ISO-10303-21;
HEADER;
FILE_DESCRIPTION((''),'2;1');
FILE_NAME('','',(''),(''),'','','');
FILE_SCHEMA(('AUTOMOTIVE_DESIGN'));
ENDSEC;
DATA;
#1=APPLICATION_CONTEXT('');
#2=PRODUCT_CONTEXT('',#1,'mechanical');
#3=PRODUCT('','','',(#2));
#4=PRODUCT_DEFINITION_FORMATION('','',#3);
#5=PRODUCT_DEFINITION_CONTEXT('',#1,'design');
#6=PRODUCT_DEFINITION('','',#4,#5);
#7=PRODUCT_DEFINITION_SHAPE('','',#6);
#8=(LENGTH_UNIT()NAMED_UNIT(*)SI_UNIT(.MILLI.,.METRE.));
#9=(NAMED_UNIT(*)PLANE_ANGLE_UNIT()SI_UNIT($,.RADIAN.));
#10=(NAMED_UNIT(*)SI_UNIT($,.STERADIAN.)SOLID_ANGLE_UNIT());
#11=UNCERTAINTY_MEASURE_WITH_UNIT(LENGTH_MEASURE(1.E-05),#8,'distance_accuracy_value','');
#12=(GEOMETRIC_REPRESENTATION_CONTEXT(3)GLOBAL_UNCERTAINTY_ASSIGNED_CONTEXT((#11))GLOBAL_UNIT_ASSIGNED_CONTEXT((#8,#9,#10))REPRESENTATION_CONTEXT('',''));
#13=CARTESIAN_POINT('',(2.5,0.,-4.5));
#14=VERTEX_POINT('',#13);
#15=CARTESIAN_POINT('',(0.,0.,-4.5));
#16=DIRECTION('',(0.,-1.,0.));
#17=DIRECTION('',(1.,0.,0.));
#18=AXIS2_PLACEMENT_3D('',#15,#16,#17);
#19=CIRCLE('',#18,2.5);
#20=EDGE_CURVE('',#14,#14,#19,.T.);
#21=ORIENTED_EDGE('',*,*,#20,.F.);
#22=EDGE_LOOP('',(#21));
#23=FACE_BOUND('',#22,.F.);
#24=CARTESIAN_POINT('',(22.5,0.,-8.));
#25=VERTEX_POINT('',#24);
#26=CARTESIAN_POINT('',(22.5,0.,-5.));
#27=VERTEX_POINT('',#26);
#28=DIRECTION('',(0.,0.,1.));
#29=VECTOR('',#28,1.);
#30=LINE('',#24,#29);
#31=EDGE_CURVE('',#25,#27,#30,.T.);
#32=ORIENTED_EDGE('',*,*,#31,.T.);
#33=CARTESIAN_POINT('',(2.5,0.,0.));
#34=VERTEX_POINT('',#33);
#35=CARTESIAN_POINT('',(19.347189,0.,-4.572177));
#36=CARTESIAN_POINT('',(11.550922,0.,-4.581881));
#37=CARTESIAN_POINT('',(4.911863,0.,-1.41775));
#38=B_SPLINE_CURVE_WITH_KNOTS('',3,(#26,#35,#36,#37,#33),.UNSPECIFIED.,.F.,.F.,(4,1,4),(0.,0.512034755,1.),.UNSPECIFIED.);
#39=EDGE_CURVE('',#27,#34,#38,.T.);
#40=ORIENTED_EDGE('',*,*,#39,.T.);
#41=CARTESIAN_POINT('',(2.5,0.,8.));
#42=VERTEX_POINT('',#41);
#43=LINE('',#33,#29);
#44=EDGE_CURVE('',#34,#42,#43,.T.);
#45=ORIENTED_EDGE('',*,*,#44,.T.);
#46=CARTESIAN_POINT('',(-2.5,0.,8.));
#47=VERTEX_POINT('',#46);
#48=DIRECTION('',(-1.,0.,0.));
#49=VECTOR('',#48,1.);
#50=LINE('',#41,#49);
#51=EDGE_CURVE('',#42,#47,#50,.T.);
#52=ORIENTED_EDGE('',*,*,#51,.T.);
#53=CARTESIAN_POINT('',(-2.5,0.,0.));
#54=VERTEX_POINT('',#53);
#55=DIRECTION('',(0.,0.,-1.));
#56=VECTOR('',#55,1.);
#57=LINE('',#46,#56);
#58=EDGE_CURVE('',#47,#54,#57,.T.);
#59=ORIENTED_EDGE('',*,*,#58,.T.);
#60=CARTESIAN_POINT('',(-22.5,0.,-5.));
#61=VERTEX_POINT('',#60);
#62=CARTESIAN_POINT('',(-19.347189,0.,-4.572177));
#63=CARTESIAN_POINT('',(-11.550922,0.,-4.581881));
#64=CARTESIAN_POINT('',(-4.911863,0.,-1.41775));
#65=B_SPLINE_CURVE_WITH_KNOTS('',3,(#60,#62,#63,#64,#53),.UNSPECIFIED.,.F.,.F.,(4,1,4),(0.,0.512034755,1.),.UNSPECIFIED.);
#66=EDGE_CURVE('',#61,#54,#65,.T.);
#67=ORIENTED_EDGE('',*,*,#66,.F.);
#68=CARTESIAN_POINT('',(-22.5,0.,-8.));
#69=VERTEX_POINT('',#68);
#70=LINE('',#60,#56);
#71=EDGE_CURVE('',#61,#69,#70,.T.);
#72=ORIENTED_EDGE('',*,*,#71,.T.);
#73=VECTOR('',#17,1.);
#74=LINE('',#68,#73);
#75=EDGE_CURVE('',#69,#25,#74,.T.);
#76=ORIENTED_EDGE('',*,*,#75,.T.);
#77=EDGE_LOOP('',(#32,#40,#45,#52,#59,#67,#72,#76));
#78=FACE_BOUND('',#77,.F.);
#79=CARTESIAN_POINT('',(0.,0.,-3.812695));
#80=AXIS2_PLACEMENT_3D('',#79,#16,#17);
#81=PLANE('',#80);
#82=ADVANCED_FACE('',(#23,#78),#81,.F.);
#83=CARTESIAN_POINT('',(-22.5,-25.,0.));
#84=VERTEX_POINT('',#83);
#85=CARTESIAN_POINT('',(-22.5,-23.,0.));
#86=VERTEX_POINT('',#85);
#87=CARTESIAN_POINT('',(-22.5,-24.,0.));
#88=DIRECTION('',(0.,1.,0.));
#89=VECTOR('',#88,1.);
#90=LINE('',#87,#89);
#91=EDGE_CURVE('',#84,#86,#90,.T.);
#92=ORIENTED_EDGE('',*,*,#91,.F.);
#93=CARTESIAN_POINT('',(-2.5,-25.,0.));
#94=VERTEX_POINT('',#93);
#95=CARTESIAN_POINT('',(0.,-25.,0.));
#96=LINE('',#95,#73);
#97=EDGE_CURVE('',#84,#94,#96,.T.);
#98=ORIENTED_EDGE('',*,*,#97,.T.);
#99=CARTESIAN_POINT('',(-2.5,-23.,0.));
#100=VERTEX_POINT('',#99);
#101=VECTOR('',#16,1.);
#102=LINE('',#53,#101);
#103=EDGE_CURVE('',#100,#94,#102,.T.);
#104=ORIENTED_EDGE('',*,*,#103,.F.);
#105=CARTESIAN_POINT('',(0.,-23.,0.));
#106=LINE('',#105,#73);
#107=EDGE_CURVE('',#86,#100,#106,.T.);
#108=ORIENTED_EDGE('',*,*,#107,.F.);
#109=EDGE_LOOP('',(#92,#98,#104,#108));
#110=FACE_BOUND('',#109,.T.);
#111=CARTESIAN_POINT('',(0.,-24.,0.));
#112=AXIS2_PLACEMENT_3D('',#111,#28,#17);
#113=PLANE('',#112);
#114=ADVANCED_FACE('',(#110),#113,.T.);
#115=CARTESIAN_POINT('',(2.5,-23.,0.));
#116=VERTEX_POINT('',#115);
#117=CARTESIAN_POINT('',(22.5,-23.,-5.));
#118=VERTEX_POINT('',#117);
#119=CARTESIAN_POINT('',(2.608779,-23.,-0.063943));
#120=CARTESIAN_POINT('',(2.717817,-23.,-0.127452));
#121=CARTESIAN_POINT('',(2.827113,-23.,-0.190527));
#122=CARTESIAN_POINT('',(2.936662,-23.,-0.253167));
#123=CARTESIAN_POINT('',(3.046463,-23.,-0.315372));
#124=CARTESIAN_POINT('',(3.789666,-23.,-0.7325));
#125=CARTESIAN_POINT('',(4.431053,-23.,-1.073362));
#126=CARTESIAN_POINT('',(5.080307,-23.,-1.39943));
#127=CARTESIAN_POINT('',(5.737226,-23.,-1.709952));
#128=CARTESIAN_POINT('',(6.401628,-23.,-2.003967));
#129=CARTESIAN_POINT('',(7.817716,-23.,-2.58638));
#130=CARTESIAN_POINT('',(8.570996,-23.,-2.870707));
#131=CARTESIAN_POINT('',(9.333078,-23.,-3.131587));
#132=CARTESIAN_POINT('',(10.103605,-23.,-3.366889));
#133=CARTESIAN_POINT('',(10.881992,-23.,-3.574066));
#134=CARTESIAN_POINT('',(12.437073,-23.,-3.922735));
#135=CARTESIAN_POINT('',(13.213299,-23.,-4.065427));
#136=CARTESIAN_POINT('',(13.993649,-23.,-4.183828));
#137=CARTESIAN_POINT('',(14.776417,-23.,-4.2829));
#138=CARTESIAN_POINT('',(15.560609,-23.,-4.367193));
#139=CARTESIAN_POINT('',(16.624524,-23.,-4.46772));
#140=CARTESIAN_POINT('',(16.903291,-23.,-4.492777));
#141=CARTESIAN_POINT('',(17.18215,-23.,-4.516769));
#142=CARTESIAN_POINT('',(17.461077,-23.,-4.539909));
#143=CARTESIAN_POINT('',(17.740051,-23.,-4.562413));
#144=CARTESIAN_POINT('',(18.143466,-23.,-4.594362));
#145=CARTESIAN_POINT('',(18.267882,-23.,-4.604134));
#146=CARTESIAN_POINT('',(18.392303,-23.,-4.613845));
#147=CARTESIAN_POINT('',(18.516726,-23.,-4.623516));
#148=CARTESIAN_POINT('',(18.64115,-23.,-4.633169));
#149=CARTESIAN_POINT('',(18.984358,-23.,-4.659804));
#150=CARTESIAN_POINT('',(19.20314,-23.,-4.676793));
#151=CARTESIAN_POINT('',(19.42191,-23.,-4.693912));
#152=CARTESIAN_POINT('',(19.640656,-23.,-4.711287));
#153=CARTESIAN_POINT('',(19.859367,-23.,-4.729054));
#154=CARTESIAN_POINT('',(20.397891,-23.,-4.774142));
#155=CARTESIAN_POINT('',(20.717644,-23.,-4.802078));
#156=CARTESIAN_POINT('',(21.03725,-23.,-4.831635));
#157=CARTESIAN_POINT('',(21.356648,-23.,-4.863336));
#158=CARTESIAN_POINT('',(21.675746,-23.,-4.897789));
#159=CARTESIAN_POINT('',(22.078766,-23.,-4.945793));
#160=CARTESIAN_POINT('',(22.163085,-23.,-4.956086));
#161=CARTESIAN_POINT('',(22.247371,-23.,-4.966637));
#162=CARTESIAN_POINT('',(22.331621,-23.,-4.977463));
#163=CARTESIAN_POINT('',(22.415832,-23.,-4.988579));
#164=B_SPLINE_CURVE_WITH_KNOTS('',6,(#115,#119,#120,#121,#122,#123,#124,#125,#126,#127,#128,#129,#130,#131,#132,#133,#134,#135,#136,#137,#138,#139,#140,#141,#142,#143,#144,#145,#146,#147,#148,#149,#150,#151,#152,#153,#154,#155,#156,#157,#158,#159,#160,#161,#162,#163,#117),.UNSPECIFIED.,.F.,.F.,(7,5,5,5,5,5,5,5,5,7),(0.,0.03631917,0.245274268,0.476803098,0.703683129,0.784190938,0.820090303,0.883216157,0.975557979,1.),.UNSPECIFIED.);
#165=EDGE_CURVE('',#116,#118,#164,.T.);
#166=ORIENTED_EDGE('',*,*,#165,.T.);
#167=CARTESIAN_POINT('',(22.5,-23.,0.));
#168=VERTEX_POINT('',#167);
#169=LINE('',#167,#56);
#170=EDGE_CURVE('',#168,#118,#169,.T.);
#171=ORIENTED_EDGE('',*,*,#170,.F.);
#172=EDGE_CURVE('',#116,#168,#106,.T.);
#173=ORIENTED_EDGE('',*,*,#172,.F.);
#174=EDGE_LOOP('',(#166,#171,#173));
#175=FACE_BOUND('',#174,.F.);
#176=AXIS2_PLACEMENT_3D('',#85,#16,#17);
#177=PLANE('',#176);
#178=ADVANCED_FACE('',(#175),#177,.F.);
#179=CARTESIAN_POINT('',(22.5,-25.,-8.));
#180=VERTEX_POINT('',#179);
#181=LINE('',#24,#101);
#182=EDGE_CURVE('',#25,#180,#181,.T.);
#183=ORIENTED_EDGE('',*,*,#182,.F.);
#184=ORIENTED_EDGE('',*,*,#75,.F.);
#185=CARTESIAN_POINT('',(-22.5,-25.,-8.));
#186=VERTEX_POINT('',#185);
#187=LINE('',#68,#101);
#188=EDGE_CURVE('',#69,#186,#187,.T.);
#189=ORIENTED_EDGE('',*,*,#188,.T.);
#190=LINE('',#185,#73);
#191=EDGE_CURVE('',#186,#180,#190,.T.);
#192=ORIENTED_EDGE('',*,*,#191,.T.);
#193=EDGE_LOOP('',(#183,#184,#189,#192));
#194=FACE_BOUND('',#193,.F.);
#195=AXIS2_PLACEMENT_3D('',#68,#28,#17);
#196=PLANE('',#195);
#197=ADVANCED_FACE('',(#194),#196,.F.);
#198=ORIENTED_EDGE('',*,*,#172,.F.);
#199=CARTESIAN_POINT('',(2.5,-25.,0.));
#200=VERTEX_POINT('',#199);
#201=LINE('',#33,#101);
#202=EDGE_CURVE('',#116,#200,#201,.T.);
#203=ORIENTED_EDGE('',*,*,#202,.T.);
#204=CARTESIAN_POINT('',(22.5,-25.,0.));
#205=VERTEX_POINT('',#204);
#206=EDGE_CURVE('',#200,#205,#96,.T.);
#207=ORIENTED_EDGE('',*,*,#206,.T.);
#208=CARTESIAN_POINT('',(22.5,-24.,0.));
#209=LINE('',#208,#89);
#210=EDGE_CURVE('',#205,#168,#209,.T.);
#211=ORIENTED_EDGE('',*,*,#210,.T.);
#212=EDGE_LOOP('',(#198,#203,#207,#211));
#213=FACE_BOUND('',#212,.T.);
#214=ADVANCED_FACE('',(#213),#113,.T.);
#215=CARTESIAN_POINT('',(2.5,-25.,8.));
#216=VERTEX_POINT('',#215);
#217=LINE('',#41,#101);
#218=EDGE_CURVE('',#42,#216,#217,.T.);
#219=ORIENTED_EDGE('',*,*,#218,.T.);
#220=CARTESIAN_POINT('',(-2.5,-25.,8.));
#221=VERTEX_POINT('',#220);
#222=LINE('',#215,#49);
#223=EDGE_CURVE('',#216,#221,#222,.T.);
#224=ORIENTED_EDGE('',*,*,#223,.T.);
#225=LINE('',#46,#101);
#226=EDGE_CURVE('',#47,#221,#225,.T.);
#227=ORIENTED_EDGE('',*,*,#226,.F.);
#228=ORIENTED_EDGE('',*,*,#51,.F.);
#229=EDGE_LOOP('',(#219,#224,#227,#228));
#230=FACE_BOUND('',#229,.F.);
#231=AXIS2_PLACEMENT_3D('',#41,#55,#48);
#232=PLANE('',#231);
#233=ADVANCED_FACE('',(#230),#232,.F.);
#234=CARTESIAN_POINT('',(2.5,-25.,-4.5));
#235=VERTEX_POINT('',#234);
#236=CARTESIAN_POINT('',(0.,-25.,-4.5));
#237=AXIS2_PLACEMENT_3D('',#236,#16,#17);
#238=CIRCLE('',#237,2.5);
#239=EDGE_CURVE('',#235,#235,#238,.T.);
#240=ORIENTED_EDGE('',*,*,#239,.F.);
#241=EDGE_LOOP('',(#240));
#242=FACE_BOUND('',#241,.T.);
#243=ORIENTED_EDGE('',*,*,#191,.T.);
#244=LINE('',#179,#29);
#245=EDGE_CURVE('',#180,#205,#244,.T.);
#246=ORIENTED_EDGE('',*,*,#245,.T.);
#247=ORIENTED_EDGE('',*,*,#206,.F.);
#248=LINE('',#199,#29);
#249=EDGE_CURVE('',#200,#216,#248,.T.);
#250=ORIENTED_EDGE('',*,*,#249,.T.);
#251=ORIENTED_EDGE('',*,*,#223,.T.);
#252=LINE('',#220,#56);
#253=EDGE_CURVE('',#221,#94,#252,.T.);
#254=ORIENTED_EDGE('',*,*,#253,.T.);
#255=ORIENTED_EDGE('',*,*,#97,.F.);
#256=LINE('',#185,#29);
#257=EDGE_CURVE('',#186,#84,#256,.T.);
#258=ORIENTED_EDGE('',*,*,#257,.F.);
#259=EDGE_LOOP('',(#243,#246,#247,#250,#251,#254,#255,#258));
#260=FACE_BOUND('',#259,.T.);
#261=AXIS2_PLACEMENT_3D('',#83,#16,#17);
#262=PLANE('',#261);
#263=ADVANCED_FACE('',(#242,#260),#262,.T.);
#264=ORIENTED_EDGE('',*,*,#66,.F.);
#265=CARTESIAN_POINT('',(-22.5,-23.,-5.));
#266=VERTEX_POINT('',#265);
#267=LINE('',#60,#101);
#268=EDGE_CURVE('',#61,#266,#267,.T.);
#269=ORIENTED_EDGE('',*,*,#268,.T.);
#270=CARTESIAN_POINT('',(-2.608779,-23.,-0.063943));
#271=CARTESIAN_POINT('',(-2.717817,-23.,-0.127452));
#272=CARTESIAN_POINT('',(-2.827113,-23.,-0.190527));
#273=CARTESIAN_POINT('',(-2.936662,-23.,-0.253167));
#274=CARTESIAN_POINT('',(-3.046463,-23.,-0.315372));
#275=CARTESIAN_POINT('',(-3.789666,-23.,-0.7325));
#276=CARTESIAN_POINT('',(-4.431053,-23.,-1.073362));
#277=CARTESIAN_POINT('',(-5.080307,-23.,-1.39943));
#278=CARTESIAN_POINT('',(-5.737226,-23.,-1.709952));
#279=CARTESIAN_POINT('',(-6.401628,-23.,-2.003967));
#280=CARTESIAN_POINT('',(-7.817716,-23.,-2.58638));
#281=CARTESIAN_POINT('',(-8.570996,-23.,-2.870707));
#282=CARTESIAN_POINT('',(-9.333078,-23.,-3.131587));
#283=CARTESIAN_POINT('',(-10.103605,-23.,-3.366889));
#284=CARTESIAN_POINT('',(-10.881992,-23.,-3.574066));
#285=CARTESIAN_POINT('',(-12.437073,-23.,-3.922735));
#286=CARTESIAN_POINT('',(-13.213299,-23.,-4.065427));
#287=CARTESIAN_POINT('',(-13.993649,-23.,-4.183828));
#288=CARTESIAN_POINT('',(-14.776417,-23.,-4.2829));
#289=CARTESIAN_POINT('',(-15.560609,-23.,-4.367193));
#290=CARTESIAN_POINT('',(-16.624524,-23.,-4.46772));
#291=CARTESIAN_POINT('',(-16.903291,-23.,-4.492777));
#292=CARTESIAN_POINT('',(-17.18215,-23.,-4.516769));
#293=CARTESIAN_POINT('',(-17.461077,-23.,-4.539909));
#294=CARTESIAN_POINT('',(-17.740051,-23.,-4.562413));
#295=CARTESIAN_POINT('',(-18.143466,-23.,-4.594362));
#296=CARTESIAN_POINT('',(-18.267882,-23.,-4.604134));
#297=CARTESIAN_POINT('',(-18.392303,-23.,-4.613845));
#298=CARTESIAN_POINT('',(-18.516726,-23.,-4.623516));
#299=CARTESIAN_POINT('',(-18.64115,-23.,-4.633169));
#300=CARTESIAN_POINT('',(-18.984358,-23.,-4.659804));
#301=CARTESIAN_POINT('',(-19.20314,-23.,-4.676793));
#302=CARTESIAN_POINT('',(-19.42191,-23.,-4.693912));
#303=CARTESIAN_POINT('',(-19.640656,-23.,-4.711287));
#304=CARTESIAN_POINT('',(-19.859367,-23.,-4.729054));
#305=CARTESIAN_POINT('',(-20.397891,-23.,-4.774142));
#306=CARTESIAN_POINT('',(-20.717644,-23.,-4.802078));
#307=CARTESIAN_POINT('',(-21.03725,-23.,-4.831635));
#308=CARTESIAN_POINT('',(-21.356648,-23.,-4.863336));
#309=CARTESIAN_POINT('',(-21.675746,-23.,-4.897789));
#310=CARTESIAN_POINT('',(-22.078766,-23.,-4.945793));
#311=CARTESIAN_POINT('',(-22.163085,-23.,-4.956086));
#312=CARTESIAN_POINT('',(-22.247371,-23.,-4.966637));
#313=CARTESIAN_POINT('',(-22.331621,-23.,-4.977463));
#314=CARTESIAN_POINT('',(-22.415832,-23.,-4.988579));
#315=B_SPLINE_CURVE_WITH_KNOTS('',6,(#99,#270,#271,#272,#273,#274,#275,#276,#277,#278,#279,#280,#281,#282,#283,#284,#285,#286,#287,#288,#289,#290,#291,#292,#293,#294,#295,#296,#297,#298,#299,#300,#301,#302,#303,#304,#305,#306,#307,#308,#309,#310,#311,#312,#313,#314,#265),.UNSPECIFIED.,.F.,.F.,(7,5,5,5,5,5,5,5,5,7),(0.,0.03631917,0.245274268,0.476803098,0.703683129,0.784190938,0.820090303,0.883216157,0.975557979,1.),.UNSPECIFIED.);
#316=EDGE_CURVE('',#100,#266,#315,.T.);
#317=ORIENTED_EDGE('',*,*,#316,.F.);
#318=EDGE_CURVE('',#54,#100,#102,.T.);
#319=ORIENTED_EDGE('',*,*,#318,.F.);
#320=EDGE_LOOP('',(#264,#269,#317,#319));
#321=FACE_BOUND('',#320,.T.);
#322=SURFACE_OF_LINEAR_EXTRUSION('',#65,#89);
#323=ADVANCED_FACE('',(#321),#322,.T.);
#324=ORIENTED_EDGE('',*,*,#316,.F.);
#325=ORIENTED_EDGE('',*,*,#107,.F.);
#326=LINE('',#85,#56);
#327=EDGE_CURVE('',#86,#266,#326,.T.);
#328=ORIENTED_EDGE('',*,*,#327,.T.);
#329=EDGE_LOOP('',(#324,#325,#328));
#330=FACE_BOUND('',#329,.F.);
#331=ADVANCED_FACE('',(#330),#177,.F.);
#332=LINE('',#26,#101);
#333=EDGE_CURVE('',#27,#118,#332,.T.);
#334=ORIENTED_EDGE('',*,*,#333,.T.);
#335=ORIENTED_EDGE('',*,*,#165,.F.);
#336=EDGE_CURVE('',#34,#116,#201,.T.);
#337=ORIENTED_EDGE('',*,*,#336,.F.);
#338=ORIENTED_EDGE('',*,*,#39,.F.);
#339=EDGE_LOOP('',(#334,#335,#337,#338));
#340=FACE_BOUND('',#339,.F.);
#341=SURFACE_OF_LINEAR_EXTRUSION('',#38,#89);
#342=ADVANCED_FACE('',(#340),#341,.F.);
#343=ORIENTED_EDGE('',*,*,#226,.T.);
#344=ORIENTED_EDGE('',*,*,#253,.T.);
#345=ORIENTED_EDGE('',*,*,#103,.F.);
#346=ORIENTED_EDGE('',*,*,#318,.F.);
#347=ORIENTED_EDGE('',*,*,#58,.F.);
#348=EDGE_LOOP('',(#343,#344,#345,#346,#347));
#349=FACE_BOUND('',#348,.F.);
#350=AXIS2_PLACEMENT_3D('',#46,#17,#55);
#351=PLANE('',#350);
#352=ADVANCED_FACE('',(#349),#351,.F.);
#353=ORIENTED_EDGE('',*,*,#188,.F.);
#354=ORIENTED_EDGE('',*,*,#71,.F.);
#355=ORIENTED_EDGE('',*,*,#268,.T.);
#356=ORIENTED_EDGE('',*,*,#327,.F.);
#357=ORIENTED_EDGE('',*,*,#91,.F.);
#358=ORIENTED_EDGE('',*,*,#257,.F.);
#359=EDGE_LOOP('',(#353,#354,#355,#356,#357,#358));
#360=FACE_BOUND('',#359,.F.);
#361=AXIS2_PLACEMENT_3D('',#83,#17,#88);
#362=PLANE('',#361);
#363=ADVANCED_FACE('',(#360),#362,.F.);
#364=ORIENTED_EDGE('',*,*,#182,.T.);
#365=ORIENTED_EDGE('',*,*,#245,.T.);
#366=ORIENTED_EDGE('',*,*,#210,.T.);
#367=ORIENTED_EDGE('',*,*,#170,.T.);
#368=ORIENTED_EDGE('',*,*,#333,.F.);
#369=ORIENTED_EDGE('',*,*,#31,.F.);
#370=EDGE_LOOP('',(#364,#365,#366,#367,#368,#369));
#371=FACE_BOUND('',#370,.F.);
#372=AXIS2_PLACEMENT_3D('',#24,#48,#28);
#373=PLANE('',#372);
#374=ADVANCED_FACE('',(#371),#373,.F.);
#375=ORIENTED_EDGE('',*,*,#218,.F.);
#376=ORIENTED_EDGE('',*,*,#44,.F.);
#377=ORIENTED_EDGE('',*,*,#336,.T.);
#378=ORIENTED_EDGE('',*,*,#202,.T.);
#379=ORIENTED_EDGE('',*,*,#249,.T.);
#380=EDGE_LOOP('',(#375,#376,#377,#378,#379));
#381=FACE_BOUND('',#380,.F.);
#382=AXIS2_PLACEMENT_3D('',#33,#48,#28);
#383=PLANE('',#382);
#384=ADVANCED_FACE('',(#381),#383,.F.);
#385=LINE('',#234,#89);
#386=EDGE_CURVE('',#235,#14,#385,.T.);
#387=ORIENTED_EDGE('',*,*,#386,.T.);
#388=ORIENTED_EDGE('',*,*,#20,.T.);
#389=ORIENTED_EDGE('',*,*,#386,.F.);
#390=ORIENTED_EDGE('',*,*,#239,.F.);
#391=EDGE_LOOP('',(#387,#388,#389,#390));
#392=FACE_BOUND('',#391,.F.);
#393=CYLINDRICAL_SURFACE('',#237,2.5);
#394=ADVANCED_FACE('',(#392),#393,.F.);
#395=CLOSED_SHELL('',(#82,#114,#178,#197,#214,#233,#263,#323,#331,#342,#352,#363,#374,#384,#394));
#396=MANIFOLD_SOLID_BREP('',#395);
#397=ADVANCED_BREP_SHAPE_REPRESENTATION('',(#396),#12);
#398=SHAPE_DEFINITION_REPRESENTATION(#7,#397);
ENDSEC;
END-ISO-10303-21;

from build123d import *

# Parameters (mm, degrees)
F1_DEPTH = 25
F2_W     = 45
F2_H     = 2
F3_DEPTH = 8
F4_R     = 2.5
F5_DEPTH = 25.0010001


with BuildPart() as f1:
    # F0 (on Front) → F1 (new body)
    with BuildSketch(Plane.XZ):
        with BuildLine():
            Line((2.5, 8), (-2.5, 8))
            Line((-2.5, 8), (-2.5, 0))
            add(Edge.make_bspline(
                [(-22.5, -5), (-19.3471894975, -4.5721768041), (-11.550922006, -4.5818809698), (-4.9118634705, -1.4177504321), (-2.5, 0)],
                knots=[0, 0, 0, 0, 0.5120347551, 1, 1, 1, 1], degree=3))
            Line((-22.5, -5), (-22.5, -8))
            Line((-22.5, -8), (-2.5, -8))
            Line((-2.5, -8), (2.5, -8))
            Line((2.5, -8), (22.5, -8))
            Line((22.5, -8), (22.5, -5))
            add(Edge.make_bspline(
                [(22.5, -5), (19.3471894975, -4.5721768041), (11.550922006, -4.5818809698), (4.9118634705, -1.4177504321), (2.5, 0)],
                knots=[0, 0, 0, 0, 0.5120347551, 1, 1, 1, 1], degree=3))
            Line((2.5, 0), (2.5, 8))
        make_face()
    extrude(amount=F1_DEPTH)

    # F2 (on Top) → F3 (join)
    with BuildSketch(Plane.XY):
        with Locations((0, -24)):
            Rectangle(F2_W, F2_H)
    extrude(amount=-F3_DEPTH)

    # F4 (on face) → F5 (cut, through all)
    with BuildSketch(Plane.XZ.offset(25)):
        with Locations((0, -4.5)):
            Circle(F4_R)
    extrude(amount=-F5_DEPTH, mode=Mode.SUBTRACT)


solid = f1.part
